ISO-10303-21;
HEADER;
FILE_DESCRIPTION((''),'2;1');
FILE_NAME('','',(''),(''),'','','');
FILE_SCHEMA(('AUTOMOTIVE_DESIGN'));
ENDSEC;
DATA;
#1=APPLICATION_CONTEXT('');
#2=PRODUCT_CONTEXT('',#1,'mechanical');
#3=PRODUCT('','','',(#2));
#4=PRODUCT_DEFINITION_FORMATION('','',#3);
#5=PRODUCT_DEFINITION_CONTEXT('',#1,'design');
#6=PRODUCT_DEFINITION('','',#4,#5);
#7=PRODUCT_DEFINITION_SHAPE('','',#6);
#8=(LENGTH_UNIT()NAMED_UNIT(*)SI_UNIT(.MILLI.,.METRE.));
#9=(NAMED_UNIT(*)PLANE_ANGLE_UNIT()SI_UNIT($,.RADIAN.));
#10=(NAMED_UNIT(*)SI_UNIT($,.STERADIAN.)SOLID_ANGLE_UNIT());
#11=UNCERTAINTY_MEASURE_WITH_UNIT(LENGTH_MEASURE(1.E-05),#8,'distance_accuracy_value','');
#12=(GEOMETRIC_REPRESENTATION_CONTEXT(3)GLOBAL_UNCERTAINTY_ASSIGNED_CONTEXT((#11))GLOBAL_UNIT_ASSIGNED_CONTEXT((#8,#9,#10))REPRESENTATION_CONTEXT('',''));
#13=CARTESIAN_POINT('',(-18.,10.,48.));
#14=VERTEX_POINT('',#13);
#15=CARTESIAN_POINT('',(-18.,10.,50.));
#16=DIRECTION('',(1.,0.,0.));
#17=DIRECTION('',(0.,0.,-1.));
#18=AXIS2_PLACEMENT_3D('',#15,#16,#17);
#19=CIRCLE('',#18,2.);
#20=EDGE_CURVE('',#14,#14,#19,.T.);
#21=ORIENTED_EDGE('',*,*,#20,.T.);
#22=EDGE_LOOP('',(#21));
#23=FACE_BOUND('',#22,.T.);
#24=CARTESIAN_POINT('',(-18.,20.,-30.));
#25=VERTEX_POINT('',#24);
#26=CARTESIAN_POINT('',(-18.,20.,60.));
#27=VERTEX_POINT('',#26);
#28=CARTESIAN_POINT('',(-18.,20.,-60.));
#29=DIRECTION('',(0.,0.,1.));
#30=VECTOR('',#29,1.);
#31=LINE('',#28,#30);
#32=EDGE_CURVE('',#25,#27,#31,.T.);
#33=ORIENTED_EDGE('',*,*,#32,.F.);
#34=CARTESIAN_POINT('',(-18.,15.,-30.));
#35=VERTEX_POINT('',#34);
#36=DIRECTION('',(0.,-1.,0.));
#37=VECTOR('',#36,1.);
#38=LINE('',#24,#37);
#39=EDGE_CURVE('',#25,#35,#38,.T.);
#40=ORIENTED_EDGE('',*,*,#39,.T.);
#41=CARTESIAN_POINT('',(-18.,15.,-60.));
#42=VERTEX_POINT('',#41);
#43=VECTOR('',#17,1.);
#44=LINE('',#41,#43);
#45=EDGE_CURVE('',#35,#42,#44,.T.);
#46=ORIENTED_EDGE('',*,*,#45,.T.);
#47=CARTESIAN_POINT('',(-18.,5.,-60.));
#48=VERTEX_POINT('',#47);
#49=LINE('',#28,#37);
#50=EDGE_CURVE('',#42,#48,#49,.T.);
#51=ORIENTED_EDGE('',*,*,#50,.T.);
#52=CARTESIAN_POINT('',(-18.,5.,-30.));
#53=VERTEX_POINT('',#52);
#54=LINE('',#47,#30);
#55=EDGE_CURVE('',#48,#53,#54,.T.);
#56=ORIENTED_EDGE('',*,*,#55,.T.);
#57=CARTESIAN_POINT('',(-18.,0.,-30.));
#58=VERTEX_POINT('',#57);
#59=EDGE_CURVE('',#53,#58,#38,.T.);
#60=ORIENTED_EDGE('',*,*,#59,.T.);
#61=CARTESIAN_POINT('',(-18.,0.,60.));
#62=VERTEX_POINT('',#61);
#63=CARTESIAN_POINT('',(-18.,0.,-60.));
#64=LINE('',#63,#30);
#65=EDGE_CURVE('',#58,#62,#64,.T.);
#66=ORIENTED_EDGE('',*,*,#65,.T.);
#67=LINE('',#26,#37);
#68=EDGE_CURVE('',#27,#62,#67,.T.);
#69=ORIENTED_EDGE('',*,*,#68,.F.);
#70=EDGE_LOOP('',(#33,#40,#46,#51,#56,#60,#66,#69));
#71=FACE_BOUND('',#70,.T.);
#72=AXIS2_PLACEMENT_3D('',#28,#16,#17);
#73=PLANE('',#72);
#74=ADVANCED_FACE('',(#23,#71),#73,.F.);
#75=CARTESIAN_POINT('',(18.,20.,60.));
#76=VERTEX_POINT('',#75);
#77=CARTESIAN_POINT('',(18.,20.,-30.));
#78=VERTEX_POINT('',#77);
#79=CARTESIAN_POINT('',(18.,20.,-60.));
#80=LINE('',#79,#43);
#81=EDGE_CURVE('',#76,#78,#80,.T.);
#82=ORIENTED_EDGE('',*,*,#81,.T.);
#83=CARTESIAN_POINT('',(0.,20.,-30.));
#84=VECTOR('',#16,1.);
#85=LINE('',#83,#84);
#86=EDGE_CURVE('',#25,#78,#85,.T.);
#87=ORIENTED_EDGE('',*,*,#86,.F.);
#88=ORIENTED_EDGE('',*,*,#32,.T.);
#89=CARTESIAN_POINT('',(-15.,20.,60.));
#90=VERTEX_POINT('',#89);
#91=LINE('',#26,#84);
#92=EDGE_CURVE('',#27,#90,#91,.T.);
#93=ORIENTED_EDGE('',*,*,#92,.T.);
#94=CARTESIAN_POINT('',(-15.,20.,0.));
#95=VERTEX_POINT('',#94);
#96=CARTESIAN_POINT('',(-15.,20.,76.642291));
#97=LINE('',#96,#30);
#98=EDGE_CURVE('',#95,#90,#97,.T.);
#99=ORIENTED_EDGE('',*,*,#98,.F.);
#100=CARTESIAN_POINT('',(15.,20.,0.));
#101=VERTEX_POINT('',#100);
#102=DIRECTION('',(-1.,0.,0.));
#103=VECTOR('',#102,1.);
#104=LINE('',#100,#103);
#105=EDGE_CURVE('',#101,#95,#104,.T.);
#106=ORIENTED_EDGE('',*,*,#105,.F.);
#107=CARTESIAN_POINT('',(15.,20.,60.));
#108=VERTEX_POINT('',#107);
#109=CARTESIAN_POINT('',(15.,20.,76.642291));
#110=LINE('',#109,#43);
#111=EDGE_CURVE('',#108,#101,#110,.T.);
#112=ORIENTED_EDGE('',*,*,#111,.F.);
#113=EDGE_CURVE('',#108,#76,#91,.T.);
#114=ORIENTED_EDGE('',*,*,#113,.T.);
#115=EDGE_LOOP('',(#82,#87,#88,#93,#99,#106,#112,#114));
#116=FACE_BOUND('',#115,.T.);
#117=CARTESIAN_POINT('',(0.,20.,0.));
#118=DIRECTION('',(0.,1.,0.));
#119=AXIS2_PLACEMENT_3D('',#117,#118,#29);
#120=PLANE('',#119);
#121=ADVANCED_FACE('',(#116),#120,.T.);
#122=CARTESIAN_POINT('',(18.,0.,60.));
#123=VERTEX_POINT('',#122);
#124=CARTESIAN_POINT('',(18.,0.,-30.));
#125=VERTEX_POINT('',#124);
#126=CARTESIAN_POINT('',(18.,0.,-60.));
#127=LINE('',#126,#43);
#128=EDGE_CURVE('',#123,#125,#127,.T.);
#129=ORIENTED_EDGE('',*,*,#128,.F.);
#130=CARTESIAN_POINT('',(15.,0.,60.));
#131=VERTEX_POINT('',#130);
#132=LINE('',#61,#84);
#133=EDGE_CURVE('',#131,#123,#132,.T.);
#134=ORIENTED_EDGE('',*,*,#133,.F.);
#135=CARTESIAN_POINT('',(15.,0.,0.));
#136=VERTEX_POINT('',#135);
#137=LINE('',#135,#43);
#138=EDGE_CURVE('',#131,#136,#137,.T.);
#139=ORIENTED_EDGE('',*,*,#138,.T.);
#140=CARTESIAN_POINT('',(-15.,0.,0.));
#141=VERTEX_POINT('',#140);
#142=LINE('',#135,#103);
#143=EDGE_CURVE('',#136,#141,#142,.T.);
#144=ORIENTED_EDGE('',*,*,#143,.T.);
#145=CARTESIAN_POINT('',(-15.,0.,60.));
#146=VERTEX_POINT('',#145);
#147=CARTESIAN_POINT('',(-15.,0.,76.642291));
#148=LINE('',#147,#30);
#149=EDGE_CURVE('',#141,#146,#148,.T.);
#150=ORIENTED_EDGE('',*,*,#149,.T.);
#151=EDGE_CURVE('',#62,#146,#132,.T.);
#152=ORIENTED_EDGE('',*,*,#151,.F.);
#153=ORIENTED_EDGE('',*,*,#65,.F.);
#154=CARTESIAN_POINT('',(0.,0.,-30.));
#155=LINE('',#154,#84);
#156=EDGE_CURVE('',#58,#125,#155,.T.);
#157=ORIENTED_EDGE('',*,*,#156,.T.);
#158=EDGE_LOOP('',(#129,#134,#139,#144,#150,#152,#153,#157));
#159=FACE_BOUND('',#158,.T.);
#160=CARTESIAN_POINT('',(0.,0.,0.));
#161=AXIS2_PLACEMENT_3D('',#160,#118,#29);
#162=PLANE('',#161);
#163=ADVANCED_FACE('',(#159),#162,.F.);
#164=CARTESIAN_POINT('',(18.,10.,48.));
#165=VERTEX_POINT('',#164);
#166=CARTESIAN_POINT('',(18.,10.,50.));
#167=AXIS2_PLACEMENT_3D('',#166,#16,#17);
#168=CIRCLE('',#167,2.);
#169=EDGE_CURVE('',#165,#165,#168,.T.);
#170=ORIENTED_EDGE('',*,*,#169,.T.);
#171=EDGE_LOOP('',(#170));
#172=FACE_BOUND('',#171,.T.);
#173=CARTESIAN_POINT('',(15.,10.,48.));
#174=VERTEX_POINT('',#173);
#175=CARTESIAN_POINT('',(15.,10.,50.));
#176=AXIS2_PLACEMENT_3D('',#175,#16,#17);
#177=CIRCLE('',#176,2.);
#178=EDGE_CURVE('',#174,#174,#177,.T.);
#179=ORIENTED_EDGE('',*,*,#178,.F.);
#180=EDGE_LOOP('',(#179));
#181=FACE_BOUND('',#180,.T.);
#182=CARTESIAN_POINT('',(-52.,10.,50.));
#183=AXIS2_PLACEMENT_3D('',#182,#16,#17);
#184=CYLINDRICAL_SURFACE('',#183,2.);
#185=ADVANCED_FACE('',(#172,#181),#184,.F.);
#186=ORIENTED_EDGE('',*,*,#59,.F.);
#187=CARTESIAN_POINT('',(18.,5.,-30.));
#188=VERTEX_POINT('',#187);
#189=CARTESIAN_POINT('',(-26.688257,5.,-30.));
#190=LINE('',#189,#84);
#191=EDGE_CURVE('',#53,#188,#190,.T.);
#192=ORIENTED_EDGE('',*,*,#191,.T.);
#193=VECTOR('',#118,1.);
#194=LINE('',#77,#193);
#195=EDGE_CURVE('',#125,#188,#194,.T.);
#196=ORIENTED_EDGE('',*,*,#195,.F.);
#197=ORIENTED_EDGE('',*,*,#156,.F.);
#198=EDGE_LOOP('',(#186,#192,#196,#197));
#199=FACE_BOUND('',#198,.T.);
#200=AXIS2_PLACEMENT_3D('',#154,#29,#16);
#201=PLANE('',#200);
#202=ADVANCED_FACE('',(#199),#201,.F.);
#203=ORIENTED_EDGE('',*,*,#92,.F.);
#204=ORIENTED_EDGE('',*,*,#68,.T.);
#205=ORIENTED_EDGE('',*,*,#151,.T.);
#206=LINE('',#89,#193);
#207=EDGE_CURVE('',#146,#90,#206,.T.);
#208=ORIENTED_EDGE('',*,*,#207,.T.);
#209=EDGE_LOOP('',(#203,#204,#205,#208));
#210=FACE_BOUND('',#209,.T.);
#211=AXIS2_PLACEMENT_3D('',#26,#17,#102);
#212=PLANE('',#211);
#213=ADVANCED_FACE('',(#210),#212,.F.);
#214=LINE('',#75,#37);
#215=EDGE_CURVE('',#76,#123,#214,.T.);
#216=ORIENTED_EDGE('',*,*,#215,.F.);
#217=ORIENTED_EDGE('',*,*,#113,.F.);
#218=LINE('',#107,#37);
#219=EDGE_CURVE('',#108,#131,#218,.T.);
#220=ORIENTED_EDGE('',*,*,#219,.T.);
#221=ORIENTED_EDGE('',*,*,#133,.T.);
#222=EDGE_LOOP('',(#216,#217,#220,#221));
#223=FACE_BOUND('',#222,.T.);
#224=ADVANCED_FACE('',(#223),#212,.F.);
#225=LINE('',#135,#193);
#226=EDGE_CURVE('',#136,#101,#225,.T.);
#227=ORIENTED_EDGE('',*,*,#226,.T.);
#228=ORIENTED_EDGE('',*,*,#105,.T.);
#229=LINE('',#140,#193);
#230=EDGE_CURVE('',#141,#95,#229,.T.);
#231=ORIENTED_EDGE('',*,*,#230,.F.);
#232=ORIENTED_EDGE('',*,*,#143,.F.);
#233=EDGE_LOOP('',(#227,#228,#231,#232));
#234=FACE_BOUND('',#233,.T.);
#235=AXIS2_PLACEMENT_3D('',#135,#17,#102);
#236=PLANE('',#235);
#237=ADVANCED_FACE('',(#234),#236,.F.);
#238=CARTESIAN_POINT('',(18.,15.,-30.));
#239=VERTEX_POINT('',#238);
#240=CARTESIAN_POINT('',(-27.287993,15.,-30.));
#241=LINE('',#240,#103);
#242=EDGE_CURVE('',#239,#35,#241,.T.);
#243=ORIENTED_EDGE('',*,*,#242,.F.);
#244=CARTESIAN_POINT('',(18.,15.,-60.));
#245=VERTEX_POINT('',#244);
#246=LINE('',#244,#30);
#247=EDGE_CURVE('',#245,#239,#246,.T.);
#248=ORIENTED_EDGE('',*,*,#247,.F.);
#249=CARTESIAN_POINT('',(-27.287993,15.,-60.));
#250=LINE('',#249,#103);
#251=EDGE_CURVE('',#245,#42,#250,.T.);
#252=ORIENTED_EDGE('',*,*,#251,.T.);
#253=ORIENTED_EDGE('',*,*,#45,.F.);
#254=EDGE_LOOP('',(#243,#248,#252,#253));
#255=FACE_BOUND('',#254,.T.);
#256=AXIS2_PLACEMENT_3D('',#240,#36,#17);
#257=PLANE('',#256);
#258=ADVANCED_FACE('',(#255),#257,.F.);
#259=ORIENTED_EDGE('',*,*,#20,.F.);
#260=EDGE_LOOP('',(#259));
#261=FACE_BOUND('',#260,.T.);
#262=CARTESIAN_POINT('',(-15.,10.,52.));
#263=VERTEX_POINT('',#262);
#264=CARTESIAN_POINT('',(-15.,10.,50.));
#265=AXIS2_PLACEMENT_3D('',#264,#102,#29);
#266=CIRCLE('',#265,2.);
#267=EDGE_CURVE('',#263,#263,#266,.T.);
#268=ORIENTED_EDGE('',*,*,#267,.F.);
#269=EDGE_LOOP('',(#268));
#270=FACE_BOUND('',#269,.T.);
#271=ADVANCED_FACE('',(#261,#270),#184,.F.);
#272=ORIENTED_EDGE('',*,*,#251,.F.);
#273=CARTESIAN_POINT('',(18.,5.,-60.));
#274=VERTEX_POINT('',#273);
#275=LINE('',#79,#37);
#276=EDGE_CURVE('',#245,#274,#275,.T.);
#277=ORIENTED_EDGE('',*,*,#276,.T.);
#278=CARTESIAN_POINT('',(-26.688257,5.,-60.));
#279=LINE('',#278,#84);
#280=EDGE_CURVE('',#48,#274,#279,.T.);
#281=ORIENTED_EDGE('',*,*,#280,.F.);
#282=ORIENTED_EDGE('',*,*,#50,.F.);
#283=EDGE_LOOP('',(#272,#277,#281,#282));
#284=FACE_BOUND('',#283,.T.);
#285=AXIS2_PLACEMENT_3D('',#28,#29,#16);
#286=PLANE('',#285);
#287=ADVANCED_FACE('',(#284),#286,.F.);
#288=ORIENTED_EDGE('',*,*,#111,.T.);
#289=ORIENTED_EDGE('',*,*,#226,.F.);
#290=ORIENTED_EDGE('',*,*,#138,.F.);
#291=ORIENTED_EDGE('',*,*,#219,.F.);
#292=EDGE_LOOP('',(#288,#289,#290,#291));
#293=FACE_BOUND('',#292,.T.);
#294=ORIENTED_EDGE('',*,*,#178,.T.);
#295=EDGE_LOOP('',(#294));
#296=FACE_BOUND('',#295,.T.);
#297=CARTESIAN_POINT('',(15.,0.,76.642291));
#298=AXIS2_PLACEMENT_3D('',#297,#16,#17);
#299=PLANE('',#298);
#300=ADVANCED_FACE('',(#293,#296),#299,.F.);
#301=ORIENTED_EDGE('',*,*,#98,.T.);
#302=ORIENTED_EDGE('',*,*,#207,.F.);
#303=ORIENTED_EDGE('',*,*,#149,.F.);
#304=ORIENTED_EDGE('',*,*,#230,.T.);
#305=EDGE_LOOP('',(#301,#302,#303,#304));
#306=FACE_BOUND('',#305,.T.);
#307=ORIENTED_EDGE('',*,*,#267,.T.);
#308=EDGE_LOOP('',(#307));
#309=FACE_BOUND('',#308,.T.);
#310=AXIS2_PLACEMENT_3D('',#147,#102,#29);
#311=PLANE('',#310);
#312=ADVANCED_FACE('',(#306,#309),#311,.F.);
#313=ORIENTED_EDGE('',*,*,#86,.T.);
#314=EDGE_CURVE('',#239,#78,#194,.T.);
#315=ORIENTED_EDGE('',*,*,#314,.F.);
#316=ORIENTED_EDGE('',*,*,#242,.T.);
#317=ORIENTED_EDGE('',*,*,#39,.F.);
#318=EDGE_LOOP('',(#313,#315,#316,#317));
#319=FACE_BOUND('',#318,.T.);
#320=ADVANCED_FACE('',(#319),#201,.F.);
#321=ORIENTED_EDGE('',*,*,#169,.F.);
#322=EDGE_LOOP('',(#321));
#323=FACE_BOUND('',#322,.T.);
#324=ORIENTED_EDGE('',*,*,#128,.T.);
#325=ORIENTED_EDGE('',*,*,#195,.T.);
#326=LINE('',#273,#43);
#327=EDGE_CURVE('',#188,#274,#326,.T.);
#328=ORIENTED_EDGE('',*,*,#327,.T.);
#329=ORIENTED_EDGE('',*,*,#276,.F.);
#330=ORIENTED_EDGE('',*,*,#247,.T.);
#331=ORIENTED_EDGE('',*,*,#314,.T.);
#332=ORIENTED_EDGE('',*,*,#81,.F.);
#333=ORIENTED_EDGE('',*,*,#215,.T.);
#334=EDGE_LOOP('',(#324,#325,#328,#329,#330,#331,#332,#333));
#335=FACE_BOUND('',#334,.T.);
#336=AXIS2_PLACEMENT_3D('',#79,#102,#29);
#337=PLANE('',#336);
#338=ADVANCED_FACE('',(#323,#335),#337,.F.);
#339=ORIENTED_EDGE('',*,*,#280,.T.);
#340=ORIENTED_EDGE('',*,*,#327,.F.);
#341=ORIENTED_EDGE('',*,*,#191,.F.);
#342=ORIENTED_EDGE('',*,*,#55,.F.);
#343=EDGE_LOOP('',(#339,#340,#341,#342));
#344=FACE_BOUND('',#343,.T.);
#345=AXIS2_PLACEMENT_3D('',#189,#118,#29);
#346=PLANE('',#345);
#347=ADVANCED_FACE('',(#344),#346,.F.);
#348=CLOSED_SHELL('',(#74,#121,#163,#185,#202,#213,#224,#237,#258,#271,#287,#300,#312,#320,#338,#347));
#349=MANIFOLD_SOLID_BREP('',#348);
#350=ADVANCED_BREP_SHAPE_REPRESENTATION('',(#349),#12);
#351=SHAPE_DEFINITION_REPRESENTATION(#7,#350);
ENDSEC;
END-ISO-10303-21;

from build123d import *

# Parameters (mm, degrees)
SKETCH_1_W          = 36
SKETCH_1_H          = 120
EXTRUDE_1_DEPTH     = 20
SKETCH_2_W          = 30
SKETCH_2_H          = 76.64229125
CUT_EXTRUDE_1_DEPTH = 20
SKETCH_3_W          = 53.751349406
SKETCH_3_H          = 17.737070837
SKETCH_3_W_2        = 54.426052537
SKETCH_3_H_2        = 11.321534577
CUT_EXTRUDE_2_DEPTH = 30
SKETCH_5_R          = 2
CUT_EXTRUDE_3_DEPTH = 70


with BuildPart() as part:
    # 草图1 → 凸台-拉伸1 (new body)
    with BuildSketch(Plane(origin=(0, 0, 0), x_dir=(1, 0, 0), z_dir=(0, 1, 0))):
        Rectangle(SKETCH_1_W, SKETCH_1_H)
    extrude(amount=EXTRUDE_1_DEPTH)

    # 草图2 → 切除-拉伸1 (cut)
    with BuildSketch(Plane(origin=(0, 20, 0), x_dir=(1, 0, 0), z_dir=(0, 1, 0))):
        with Locations((0, -38.321145625)):
            Rectangle(SKETCH_2_W, SKETCH_2_H)
    extrude(amount=-CUT_EXTRUDE_1_DEPTH, mode=Mode.SUBTRACT)

    # 草图3 → 切除-拉伸2 (cut)
    with BuildSketch(Plane(origin=(0, 0, -60), x_dir=(-1, 0, 0), z_dir=(0, 0, -1))):
        with Locations((-0.187417536, -3.868535419)):
            Rectangle(SKETCH_3_W, SKETCH_3_H)
        with Locations((0.074967015, 20.660767289)):
            Rectangle(SKETCH_3_W_2, SKETCH_3_H_2)
    extrude(amount=-CUT_EXTRUDE_2_DEPTH, mode=Mode.SUBTRACT)

    # 草图5 → 切除-拉伸3 (cut)
    with BuildSketch(Plane(origin=(18, 0, 0), x_dir=(0, 0, -1), z_dir=(1, 0, 0))):
        with Locations((-50, 10)):
            Circle(SKETCH_5_R)
    extrude(amount=-CUT_EXTRUDE_3_DEPTH, mode=Mode.SUBTRACT)


solid = part.part
